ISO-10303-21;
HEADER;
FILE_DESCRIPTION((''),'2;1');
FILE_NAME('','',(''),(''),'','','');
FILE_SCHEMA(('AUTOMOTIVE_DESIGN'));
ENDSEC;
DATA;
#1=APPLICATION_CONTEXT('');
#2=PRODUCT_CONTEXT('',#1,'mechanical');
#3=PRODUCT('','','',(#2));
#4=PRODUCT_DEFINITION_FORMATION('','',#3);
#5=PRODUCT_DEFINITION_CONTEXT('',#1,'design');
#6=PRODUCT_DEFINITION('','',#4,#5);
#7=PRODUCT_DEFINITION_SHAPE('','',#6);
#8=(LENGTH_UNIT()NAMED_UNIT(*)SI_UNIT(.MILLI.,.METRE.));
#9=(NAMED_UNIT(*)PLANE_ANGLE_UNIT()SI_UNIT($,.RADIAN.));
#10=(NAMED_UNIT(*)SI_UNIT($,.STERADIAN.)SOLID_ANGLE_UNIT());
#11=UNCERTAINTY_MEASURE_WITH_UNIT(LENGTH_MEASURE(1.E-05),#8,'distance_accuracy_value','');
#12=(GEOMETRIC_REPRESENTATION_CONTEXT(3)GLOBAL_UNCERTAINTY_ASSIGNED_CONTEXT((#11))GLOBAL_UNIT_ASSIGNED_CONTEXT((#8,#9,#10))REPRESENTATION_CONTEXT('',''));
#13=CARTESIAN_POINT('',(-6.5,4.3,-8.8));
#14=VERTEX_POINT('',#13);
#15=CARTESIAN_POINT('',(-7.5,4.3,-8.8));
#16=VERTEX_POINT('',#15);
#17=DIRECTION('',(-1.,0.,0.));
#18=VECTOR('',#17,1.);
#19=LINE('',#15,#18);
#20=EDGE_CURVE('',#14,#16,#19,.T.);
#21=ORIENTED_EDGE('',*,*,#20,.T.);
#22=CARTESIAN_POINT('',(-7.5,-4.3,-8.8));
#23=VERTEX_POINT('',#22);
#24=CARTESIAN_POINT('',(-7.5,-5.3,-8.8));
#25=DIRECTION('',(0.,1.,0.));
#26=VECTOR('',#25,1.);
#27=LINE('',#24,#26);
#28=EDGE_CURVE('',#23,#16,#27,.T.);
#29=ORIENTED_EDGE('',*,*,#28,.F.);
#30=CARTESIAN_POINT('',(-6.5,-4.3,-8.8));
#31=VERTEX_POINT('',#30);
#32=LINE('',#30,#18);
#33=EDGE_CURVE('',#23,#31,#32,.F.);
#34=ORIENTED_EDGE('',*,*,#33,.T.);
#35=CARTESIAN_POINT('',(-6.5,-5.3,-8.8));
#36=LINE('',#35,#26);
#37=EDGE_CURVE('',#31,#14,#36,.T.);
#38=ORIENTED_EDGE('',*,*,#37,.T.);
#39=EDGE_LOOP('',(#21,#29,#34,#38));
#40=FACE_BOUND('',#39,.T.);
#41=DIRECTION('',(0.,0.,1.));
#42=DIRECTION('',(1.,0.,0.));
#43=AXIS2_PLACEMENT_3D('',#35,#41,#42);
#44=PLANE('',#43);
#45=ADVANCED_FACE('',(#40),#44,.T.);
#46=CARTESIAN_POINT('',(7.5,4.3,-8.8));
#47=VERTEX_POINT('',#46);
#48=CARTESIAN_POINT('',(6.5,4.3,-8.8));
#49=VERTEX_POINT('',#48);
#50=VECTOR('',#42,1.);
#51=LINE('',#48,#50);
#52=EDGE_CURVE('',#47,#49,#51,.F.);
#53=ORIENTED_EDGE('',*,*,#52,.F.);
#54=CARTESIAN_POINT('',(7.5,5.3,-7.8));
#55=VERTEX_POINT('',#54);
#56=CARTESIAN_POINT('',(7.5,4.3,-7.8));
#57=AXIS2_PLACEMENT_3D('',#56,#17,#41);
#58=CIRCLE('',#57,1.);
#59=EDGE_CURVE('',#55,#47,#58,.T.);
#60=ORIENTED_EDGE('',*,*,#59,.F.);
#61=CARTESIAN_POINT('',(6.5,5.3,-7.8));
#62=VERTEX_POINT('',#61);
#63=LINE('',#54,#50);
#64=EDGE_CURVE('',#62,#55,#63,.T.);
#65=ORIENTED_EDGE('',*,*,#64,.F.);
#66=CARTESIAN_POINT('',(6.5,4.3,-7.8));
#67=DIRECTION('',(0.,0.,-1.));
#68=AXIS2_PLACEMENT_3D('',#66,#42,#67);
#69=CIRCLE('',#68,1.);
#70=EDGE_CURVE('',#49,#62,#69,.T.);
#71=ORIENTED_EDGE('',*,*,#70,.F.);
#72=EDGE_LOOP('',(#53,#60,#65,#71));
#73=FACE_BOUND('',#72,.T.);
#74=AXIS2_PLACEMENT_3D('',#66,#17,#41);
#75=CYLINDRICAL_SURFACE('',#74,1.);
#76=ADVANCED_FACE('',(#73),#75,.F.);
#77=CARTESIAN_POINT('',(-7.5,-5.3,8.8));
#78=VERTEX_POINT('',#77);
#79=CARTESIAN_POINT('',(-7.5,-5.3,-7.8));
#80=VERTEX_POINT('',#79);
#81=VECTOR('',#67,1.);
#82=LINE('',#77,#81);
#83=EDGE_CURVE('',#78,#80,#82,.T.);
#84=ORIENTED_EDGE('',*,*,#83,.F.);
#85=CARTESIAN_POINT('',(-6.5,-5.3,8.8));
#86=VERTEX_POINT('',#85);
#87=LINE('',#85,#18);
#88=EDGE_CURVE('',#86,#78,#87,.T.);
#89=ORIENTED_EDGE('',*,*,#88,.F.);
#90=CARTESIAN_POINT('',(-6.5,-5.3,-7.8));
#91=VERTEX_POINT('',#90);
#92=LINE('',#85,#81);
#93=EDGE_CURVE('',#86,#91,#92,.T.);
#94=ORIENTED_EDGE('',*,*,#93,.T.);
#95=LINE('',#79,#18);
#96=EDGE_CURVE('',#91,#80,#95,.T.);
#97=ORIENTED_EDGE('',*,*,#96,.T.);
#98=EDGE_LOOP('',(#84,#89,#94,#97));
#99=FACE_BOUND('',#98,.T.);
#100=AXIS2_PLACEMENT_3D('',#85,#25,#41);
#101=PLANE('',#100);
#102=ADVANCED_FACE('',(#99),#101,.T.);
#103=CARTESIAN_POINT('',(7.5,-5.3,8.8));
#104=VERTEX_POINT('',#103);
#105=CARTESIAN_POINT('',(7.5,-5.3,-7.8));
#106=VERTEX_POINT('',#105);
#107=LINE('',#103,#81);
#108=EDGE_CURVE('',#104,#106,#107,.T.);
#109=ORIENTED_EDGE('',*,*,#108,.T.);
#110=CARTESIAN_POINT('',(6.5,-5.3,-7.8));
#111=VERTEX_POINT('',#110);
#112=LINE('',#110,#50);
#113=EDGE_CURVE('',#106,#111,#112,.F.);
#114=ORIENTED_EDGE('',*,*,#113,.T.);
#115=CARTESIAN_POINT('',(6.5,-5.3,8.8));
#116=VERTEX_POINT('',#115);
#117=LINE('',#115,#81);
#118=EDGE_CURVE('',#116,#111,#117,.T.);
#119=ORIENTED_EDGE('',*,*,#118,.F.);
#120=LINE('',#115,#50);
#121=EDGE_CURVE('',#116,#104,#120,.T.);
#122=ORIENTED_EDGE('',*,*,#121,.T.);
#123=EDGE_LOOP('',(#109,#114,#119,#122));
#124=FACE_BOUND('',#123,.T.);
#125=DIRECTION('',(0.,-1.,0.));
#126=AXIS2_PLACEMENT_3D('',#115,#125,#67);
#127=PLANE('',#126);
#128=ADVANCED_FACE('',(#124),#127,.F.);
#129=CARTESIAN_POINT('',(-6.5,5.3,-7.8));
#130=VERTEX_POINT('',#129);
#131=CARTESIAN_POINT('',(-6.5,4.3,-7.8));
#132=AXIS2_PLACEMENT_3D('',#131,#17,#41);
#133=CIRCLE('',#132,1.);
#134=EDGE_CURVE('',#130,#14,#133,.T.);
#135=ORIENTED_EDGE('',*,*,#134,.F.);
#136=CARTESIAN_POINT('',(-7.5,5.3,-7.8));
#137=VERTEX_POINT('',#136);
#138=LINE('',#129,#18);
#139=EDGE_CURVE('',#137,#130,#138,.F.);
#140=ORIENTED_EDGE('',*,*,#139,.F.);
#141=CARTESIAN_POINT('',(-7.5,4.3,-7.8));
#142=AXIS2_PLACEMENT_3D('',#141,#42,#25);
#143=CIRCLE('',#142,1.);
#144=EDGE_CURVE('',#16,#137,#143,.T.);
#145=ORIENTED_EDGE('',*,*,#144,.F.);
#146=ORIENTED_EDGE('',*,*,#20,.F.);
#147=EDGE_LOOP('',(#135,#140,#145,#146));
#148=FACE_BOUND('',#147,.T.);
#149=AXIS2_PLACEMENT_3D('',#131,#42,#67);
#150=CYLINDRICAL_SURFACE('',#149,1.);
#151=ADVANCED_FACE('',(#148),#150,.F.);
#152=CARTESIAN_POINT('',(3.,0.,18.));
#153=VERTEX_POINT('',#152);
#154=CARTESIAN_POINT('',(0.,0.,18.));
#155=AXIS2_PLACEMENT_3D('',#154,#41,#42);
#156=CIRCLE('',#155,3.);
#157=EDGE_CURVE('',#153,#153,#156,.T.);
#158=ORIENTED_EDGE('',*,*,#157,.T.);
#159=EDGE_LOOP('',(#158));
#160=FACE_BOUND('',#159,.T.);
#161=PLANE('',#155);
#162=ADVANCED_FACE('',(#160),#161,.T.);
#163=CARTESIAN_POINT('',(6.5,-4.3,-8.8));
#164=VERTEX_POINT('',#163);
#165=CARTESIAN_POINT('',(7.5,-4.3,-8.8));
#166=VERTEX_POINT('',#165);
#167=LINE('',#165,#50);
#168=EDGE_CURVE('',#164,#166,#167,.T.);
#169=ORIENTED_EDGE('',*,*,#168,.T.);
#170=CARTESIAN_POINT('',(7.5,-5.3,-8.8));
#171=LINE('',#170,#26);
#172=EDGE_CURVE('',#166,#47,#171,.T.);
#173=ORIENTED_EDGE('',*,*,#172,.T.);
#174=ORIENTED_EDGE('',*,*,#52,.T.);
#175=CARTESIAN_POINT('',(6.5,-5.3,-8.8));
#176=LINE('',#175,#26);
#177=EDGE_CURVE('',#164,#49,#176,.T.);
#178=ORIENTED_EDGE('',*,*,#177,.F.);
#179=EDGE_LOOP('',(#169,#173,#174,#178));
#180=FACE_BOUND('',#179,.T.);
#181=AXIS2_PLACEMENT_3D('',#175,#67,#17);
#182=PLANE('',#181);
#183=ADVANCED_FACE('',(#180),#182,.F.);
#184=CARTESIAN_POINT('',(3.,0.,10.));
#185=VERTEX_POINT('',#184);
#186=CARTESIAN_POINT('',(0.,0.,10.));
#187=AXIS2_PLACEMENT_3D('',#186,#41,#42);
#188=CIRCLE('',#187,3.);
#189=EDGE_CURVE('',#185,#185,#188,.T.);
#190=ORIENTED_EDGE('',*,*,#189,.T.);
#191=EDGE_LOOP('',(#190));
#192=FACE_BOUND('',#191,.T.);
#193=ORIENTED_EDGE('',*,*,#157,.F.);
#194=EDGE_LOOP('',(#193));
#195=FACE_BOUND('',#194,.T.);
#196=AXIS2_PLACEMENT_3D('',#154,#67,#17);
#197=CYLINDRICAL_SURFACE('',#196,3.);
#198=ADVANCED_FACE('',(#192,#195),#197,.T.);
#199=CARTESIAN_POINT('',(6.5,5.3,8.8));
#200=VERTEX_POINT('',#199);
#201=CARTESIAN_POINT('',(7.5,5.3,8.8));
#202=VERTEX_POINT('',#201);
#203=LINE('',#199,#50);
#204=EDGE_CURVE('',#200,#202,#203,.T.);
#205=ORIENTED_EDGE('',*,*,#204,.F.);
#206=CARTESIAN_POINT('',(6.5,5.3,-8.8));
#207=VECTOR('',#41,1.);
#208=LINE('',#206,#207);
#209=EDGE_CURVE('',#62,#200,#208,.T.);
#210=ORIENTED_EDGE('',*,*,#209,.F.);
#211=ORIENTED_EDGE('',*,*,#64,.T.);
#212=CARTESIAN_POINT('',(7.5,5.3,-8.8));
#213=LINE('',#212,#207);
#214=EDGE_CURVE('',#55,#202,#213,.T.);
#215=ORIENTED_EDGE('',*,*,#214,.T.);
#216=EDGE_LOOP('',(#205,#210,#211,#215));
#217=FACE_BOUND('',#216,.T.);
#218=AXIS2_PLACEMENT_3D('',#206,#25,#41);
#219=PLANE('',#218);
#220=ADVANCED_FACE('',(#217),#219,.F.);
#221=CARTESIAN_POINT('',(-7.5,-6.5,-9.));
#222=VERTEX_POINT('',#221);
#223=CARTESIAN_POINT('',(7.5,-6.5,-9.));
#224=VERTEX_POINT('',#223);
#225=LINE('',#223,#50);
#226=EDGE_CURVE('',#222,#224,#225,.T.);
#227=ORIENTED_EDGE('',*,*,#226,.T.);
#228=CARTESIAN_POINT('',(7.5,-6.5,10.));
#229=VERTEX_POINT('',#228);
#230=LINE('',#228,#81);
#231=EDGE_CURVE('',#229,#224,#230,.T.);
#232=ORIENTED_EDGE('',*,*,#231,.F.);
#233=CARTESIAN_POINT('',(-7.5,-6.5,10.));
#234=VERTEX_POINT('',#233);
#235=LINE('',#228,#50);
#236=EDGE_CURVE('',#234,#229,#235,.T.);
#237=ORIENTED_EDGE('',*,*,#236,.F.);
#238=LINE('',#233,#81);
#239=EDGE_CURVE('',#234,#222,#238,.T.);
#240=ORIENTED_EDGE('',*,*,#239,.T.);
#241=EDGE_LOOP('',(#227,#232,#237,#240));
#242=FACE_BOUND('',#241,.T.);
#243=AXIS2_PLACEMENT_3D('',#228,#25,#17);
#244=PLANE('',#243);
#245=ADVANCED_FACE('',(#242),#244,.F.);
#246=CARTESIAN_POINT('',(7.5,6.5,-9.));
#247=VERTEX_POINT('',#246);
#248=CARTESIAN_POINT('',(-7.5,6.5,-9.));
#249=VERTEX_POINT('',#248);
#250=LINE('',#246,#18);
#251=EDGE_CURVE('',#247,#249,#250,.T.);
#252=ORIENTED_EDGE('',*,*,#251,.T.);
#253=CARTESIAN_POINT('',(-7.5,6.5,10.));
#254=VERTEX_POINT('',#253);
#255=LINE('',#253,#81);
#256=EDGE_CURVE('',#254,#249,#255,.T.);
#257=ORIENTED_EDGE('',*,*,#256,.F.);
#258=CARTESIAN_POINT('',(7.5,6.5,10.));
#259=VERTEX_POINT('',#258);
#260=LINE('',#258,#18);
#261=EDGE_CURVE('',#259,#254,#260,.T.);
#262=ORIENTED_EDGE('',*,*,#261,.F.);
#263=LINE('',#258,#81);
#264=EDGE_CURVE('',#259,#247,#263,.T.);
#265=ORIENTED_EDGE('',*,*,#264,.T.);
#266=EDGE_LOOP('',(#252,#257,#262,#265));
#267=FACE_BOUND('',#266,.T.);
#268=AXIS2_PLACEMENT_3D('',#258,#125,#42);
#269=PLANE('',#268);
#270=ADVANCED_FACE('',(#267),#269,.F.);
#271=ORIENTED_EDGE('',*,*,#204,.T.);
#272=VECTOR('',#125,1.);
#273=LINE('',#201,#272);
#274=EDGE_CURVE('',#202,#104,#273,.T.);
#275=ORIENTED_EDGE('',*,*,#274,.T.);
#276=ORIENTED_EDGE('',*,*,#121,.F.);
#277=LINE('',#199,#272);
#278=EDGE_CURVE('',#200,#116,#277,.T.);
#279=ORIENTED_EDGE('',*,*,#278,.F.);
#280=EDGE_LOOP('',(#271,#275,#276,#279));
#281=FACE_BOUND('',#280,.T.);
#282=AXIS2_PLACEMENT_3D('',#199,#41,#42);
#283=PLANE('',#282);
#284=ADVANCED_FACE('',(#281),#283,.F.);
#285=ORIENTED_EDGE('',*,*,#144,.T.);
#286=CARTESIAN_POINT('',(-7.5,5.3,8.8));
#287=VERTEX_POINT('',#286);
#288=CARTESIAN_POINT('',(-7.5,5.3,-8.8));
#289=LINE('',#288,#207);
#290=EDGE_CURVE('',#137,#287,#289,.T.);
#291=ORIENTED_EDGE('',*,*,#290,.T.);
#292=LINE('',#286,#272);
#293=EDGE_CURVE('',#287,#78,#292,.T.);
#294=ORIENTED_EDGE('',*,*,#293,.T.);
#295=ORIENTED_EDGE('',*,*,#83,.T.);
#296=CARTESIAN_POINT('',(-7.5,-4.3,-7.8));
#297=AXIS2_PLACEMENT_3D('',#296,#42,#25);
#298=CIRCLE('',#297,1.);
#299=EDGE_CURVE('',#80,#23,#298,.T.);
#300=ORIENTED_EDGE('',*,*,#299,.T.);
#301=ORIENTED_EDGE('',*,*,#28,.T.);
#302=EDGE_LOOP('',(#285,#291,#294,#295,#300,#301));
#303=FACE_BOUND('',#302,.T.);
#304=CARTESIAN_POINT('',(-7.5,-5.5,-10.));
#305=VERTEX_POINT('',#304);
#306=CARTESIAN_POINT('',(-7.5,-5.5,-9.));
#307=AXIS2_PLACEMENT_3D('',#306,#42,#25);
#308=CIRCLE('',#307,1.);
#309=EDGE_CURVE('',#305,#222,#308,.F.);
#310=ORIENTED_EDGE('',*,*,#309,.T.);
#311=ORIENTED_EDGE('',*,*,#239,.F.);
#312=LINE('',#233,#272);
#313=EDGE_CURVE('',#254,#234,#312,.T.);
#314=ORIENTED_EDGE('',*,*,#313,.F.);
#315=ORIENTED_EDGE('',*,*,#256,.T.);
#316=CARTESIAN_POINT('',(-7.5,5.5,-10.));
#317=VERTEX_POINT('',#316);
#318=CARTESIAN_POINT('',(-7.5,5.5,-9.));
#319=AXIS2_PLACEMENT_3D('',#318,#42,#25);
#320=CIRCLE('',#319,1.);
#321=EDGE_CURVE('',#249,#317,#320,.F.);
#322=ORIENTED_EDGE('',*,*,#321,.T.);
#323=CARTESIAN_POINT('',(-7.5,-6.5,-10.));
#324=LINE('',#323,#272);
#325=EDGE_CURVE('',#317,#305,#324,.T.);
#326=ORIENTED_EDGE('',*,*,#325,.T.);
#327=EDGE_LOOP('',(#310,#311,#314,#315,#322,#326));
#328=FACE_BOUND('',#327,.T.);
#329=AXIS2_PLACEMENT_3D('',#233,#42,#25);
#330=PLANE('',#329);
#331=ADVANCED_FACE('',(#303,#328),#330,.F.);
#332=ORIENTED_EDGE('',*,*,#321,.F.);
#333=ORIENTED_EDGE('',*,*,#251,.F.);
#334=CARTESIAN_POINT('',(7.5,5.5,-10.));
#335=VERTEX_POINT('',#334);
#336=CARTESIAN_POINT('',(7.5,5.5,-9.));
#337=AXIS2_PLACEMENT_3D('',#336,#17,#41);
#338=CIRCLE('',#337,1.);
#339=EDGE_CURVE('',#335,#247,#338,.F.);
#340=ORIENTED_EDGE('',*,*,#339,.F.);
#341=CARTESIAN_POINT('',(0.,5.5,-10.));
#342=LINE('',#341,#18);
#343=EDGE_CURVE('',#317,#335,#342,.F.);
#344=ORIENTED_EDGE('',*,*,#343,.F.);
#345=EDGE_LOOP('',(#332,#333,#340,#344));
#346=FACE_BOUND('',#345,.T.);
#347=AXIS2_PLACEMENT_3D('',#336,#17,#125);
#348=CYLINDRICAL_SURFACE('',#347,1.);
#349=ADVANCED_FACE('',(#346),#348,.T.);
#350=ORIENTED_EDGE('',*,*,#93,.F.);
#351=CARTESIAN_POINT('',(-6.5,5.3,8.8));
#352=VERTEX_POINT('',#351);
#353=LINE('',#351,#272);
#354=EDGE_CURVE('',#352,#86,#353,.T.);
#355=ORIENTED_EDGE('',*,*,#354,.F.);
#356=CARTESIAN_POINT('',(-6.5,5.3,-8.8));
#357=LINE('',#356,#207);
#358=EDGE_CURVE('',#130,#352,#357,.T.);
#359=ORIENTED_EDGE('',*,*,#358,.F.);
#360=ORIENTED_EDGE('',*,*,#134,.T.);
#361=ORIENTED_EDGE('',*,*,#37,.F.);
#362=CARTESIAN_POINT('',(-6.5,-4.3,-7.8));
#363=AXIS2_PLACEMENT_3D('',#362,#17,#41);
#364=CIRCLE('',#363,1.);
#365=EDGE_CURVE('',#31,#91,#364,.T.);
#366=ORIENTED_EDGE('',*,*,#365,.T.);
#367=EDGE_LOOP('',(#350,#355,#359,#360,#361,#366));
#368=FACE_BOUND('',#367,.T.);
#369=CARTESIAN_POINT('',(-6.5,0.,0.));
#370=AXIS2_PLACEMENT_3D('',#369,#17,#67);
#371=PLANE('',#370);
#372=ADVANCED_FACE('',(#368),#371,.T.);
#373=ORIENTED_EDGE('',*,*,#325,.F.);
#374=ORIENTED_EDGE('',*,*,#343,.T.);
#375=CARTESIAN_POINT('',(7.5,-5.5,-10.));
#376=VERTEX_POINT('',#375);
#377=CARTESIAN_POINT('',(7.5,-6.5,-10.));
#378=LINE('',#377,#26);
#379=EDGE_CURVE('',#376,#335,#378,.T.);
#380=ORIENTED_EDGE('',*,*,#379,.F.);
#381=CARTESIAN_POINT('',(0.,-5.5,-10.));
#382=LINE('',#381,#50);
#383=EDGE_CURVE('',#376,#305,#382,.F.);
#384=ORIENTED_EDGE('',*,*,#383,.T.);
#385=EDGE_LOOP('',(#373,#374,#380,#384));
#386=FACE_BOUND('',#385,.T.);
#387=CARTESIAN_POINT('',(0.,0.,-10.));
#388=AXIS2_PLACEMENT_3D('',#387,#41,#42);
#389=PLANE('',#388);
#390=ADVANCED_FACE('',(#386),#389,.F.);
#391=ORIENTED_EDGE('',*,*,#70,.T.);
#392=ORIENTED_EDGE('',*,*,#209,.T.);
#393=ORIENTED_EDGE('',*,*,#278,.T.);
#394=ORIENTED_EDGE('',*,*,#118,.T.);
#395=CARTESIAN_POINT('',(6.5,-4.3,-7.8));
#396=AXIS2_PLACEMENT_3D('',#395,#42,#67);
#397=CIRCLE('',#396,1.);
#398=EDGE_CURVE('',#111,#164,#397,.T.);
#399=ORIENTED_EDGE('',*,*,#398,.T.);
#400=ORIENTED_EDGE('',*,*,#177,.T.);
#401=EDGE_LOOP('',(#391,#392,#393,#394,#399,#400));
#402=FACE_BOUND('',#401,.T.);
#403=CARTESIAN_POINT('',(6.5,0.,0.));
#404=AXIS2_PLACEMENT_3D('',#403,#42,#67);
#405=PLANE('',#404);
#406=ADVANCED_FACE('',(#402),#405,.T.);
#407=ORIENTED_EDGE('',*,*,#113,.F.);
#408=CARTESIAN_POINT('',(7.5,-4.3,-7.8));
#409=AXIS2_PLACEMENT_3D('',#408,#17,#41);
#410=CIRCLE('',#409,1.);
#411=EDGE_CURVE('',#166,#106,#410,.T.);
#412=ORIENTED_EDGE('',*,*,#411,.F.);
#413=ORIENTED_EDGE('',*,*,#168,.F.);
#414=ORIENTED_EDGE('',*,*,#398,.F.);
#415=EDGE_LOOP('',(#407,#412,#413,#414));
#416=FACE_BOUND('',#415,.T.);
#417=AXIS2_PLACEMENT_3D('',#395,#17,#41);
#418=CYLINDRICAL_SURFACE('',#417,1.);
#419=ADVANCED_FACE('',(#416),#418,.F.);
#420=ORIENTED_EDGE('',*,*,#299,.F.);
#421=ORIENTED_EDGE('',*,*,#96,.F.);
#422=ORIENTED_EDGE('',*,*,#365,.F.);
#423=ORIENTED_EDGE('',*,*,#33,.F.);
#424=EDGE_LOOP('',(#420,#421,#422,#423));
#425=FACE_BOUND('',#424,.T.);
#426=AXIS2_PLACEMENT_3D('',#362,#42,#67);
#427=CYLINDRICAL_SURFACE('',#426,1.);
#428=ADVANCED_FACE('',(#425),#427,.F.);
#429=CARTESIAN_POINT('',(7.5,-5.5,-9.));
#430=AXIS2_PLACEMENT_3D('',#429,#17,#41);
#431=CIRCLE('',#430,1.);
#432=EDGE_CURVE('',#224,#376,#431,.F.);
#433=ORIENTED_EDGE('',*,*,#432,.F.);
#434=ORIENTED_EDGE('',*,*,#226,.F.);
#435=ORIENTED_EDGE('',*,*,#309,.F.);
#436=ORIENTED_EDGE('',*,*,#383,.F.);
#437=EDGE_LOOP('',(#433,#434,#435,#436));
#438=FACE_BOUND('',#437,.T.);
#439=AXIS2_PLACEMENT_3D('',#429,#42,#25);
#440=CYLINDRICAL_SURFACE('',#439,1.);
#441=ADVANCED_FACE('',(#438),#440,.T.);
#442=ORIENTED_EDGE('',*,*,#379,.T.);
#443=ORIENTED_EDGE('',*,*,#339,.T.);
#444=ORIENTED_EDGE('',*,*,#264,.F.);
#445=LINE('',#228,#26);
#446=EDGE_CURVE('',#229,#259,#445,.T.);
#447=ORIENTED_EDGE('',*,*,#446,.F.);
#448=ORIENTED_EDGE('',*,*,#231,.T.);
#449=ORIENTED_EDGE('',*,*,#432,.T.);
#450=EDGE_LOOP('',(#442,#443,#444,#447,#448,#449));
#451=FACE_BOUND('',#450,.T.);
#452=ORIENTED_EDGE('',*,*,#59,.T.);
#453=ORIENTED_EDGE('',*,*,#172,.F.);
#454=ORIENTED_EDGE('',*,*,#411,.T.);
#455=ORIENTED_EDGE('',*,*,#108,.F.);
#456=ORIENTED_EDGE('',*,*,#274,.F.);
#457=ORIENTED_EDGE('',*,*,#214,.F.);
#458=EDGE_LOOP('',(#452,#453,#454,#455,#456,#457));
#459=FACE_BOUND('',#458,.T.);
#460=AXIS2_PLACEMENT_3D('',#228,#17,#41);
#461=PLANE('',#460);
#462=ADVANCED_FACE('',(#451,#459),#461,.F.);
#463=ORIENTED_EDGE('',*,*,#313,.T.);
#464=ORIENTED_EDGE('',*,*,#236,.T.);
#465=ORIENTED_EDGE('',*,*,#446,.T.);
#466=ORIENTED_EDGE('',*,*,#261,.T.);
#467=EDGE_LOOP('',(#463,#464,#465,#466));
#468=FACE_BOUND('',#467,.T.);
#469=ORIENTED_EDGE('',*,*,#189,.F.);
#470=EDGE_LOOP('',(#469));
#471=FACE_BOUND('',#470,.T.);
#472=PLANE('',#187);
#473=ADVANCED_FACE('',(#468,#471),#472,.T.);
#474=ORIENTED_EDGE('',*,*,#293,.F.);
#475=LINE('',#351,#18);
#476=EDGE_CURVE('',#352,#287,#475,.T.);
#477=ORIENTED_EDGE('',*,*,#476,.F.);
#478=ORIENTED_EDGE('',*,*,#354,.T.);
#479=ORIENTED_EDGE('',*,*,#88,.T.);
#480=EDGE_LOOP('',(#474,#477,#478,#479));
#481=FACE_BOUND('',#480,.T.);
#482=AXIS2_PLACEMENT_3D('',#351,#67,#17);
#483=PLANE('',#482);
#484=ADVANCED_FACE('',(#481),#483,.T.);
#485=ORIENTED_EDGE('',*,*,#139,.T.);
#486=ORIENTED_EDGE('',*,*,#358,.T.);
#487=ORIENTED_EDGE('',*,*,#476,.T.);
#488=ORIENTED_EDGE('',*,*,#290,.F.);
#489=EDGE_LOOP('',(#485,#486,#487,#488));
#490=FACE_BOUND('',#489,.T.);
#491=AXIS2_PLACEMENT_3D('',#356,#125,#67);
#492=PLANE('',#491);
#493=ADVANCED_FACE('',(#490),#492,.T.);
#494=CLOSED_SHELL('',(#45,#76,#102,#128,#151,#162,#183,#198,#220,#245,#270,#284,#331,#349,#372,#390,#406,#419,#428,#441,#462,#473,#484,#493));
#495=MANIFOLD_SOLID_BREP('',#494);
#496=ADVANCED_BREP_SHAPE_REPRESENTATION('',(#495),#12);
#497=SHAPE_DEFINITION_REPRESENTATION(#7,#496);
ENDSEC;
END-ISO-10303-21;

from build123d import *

# Parameters (mm, degrees)
ESQUISSE1_W             = 15
ESQUISSE1_H             = 13
BOSS_EXTRU_1_DEPTH      = 10
CONG_1_R                = 1
ESQUISSE2_W             = 17.6
ESQUISSE2_H             = 10.6
ENL_V_MAT_EXTRU_1_DEPTH = 1
CONG_2_R                = 1
CONG_2_OF_SYM_TRIE1_R   = 1
ESQUISSE3_R             = 3
BOSS_EXTRU_2_DEPTH      = 8


with BuildPart() as part:
    # Esquisse1 → Boss.-Extru.1 (new, symmetric)
    with BuildSketch(Plane.XY):
        Rectangle(ESQUISSE1_W, ESQUISSE1_H)
    extrude(amount=BOSS_EXTRU_1_DEPTH, both=True)

    # Congé1
    cong_1_edges = [part.edges().sort_by_distance(p)[0] for p in [
        (0, 6.5, -10),
        (0, -6.5, -10),
    ]]
    fillet(cong_1_edges, radius=CONG_1_R)

    # Esquisse2 → Enlèv. mat.-Extru.1 (cut)
    with BuildSketch(Plane(origin=(7.5, 0, 0), x_dir=(0, 0, -1), z_dir=(1, 0, 0))):
        Rectangle(ESQUISSE2_W, ESQUISSE2_H)
    enl_v_mat_extru_1 = extrude(amount=-ENL_V_MAT_EXTRU_1_DEPTH, mode=Mode.SUBTRACT)

    # Congé2
    cong_2_edges = [part.edges().sort_by_distance(p)[0] for p in [
        (7, 5.3, -8.8),
        (7, -5.3, -8.8),
    ]]
    fillet(cong_2_edges, radius=CONG_2_R)

    # Symétrie1: Enlèv. mat.-Extru.1 across plane
    add(enl_v_mat_extru_1.mirror(Plane(origin=(0, 0, 0), x_dir=(0, 0, 1), z_dir=(1, 0, 0))), mode=Mode.SUBTRACT)

    # Congé2 of Symétrie1
    cong_2_of_sym_trie1_edges = [part.edges().sort_by_distance(p)[0] for p in [
        (-7, 5.3, -8.8),
        (-7, -5.3, -8.8),
    ]]
    fillet(cong_2_of_sym_trie1_edges, radius=CONG_2_OF_SYM_TRIE1_R)

    # Esquisse3 → Boss.-Extru.2 (add)
    with BuildSketch(Plane.XY.offset(10)):
        Circle(ESQUISSE3_R)
    extrude(amount=BOSS_EXTRU_2_DEPTH)


solid = part.part
